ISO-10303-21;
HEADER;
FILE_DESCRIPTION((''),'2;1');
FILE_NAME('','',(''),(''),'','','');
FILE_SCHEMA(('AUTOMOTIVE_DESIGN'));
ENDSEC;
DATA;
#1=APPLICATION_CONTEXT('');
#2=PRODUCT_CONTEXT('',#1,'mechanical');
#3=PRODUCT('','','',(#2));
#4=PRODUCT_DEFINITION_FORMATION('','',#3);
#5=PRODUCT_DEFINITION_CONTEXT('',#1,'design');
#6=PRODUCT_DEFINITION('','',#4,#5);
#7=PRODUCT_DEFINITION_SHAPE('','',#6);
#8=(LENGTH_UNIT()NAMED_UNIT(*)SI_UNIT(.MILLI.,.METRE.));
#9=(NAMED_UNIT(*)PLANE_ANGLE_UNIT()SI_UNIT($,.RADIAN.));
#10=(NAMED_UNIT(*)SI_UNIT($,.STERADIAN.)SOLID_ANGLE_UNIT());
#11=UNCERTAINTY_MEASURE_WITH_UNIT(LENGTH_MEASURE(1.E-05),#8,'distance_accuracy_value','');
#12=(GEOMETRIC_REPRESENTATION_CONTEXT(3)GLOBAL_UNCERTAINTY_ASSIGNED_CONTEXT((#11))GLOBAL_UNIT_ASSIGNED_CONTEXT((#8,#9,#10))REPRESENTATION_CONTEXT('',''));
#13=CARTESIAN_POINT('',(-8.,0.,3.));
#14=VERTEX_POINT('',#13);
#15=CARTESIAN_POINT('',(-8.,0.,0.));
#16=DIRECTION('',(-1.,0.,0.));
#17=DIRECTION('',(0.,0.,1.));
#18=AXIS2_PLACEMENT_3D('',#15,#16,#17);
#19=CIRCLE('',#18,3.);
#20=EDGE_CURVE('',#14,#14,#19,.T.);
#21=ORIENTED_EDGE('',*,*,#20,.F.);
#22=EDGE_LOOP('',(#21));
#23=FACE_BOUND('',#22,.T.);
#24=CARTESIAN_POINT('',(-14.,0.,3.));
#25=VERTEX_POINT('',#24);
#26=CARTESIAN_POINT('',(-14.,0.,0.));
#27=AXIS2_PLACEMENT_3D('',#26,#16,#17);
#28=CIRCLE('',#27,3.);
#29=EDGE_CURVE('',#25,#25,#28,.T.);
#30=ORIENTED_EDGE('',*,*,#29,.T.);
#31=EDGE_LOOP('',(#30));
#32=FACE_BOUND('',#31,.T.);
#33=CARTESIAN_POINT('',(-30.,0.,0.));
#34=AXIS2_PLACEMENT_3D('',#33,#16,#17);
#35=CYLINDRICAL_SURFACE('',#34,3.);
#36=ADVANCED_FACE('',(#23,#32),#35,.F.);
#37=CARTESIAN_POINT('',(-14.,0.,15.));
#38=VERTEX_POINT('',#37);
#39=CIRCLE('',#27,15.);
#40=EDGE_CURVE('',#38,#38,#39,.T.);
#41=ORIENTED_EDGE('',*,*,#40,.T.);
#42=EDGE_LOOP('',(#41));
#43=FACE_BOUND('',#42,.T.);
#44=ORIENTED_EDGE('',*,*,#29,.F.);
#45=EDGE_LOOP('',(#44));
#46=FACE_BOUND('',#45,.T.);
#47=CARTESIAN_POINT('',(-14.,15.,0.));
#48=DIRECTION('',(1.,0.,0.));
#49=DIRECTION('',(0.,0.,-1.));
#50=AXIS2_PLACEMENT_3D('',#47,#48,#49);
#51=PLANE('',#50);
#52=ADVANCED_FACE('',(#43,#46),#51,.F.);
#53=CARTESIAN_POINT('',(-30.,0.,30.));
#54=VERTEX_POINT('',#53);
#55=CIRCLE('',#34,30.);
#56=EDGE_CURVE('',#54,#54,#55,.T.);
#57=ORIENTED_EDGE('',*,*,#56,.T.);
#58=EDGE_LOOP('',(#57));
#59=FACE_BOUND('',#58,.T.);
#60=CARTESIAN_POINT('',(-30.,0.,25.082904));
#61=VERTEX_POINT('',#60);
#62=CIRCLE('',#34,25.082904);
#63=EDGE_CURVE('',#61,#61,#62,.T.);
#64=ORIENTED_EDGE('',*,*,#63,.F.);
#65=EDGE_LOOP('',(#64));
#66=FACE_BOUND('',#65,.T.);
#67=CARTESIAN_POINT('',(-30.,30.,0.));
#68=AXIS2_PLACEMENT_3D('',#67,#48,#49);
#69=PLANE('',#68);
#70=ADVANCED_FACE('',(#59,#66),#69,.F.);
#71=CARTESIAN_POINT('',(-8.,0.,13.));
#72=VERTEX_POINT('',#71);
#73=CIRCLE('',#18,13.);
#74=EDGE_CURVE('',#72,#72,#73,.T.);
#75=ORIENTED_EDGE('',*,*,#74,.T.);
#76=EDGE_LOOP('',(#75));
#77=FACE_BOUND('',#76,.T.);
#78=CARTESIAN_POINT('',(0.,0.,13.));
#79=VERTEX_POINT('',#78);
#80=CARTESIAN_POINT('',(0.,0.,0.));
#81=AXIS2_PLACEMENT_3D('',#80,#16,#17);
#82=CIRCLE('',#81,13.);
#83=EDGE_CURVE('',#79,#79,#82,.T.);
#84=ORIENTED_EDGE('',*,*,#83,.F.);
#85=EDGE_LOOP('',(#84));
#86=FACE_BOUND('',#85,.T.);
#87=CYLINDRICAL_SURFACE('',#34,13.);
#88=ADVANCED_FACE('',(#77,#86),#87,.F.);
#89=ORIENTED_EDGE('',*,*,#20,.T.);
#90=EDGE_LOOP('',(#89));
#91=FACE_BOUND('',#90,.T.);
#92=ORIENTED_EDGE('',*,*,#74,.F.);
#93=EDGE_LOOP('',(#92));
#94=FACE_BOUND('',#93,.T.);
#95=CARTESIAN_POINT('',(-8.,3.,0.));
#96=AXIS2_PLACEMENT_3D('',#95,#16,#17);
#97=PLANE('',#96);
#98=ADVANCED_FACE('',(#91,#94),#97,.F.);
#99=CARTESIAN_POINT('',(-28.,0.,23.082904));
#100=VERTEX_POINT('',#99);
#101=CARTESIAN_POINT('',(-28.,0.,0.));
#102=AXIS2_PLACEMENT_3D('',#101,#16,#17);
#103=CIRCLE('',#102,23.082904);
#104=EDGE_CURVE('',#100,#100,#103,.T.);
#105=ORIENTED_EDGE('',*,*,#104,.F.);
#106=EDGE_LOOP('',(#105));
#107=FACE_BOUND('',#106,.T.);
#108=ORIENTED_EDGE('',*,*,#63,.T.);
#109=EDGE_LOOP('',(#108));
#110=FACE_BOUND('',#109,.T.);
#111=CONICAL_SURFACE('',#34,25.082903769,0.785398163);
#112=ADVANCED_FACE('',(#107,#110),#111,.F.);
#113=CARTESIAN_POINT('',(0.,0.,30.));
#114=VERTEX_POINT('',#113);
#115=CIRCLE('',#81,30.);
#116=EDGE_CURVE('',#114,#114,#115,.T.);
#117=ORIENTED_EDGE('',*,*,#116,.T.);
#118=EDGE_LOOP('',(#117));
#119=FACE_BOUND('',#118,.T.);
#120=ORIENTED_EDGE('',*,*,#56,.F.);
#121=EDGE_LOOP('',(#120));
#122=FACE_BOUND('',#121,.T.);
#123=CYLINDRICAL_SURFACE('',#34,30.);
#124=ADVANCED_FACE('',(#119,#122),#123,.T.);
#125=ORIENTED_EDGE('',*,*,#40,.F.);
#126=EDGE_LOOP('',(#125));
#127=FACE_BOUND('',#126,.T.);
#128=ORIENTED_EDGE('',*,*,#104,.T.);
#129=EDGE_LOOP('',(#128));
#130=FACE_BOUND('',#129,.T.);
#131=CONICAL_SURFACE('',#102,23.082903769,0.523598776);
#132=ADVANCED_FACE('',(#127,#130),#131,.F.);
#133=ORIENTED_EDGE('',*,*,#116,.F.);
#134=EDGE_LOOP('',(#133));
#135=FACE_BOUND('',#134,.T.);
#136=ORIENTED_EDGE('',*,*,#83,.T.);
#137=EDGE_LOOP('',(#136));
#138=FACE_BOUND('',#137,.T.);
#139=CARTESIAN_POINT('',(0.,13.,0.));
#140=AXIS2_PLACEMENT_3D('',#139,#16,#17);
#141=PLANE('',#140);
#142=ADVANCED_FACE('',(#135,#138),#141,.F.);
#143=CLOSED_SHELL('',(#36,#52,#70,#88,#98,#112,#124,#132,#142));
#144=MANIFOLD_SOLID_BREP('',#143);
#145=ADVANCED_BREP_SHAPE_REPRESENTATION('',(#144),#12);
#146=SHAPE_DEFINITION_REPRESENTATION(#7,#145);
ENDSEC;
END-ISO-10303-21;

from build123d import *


with BuildPart() as part:
    # Эскиз4 → Повернуть1 (revolve)
    with BuildSketch(Plane.XY, mode=Mode.PRIVATE) as revolve_1_sk:
        Polygon((-30, 30), (-30, 25.082903769), (-28, 23.082903769), (-14, 15), (-14, 3), (-8, 3), (-8, 13), (0, 13), (0, 30), align=None)
    revolve(revolve_1_sk.sketch.rotate(Axis((-30, 0, 0), (1, 0, 0)), 90), axis=Axis((-30, 0, 0), (1, 0, 0)))


solid = part.part
